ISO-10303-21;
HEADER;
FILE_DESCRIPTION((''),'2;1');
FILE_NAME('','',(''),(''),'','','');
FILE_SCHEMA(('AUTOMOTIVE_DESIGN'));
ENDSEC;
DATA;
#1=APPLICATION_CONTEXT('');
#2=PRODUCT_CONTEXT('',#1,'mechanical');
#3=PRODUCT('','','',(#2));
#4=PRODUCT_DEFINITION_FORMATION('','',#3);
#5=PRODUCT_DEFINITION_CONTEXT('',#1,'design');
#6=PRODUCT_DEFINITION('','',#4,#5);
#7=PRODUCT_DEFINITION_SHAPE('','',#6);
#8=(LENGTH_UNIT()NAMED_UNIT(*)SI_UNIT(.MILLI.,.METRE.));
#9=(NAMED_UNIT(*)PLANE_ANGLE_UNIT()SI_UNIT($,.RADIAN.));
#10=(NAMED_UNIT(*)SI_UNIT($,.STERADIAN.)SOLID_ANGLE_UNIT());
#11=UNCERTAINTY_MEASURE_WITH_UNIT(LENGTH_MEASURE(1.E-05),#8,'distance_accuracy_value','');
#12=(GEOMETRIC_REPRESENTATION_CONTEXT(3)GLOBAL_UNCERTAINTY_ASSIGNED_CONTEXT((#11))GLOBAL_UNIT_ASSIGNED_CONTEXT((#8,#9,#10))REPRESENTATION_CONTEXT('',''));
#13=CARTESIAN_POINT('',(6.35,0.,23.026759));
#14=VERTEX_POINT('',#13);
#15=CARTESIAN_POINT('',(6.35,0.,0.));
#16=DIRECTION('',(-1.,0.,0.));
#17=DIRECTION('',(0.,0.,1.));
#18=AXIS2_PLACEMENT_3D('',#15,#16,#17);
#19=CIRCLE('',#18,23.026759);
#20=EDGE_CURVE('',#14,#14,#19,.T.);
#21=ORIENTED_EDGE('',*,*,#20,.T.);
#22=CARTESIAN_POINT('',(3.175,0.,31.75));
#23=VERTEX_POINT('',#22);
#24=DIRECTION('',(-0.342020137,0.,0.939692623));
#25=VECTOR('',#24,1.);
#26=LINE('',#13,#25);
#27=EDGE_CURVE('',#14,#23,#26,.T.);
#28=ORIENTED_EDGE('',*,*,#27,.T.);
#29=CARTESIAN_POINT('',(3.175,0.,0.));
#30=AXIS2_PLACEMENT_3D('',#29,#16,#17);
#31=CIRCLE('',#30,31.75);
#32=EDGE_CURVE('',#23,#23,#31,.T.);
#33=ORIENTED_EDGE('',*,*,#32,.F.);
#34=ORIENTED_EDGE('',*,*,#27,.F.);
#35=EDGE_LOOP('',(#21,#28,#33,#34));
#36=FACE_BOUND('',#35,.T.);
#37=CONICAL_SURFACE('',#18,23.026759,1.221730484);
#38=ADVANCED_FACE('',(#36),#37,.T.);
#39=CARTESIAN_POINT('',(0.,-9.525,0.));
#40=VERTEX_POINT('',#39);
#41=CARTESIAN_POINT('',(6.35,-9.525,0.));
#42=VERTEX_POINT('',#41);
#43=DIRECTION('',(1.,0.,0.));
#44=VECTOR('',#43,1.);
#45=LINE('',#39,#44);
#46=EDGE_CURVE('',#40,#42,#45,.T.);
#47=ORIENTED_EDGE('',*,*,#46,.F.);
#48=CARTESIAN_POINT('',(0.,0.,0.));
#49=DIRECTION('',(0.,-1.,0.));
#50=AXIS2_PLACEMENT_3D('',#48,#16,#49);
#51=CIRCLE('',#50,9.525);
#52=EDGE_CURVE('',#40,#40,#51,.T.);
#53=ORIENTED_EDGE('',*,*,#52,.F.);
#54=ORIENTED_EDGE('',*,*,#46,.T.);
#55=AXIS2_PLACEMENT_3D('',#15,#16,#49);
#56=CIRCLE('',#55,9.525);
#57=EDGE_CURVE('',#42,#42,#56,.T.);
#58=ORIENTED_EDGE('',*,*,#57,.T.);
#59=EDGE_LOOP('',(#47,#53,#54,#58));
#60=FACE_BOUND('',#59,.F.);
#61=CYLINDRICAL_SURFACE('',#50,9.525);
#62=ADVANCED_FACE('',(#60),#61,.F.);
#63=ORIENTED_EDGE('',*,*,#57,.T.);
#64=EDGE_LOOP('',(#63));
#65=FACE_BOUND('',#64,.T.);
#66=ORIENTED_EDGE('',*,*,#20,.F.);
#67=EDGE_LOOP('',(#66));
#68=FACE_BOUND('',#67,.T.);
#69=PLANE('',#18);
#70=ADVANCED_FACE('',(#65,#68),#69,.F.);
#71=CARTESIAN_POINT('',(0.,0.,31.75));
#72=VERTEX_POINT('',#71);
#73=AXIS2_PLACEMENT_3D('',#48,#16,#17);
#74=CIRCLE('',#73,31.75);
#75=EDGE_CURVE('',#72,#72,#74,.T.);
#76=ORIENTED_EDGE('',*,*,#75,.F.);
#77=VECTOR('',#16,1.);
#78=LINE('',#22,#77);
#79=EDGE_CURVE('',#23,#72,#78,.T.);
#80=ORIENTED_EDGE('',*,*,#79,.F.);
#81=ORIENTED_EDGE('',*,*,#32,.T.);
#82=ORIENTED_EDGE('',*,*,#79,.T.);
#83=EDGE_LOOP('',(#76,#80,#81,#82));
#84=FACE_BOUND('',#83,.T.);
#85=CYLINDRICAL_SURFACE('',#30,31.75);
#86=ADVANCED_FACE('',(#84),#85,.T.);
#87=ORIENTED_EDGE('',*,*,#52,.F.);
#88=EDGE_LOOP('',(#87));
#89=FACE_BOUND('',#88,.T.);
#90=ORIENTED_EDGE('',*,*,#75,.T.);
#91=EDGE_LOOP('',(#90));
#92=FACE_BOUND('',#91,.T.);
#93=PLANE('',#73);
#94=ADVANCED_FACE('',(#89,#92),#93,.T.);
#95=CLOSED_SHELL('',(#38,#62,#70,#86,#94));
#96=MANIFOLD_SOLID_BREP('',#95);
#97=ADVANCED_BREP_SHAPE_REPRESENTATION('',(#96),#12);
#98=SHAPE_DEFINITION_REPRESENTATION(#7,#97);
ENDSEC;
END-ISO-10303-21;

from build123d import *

# Parameters (mm, degrees)
F2_R     = 9.525
F3_DEPTH = 6.351


with BuildPart() as f1:
    # F0 (on Front) → F1 (revolve)
    with BuildSketch(Plane.XZ):
        Polygon((0, 31.75), (0, 0), (6.35, 0), (6.35, 23.026759), (3.175, 31.75), align=None)
    revolve(axis=Axis((3.175, 0, 0), (-1, 0, 0)))

    # F2 (on face) → F3 (cut, through all)
    with BuildSketch(Plane(origin=(0, 0, 0), x_dir=(0, -1, 0), z_dir=(-1, 0, 0))):
        Circle(F2_R)
    extrude(amount=-F3_DEPTH, mode=Mode.SUBTRACT)


solid = f1.part
